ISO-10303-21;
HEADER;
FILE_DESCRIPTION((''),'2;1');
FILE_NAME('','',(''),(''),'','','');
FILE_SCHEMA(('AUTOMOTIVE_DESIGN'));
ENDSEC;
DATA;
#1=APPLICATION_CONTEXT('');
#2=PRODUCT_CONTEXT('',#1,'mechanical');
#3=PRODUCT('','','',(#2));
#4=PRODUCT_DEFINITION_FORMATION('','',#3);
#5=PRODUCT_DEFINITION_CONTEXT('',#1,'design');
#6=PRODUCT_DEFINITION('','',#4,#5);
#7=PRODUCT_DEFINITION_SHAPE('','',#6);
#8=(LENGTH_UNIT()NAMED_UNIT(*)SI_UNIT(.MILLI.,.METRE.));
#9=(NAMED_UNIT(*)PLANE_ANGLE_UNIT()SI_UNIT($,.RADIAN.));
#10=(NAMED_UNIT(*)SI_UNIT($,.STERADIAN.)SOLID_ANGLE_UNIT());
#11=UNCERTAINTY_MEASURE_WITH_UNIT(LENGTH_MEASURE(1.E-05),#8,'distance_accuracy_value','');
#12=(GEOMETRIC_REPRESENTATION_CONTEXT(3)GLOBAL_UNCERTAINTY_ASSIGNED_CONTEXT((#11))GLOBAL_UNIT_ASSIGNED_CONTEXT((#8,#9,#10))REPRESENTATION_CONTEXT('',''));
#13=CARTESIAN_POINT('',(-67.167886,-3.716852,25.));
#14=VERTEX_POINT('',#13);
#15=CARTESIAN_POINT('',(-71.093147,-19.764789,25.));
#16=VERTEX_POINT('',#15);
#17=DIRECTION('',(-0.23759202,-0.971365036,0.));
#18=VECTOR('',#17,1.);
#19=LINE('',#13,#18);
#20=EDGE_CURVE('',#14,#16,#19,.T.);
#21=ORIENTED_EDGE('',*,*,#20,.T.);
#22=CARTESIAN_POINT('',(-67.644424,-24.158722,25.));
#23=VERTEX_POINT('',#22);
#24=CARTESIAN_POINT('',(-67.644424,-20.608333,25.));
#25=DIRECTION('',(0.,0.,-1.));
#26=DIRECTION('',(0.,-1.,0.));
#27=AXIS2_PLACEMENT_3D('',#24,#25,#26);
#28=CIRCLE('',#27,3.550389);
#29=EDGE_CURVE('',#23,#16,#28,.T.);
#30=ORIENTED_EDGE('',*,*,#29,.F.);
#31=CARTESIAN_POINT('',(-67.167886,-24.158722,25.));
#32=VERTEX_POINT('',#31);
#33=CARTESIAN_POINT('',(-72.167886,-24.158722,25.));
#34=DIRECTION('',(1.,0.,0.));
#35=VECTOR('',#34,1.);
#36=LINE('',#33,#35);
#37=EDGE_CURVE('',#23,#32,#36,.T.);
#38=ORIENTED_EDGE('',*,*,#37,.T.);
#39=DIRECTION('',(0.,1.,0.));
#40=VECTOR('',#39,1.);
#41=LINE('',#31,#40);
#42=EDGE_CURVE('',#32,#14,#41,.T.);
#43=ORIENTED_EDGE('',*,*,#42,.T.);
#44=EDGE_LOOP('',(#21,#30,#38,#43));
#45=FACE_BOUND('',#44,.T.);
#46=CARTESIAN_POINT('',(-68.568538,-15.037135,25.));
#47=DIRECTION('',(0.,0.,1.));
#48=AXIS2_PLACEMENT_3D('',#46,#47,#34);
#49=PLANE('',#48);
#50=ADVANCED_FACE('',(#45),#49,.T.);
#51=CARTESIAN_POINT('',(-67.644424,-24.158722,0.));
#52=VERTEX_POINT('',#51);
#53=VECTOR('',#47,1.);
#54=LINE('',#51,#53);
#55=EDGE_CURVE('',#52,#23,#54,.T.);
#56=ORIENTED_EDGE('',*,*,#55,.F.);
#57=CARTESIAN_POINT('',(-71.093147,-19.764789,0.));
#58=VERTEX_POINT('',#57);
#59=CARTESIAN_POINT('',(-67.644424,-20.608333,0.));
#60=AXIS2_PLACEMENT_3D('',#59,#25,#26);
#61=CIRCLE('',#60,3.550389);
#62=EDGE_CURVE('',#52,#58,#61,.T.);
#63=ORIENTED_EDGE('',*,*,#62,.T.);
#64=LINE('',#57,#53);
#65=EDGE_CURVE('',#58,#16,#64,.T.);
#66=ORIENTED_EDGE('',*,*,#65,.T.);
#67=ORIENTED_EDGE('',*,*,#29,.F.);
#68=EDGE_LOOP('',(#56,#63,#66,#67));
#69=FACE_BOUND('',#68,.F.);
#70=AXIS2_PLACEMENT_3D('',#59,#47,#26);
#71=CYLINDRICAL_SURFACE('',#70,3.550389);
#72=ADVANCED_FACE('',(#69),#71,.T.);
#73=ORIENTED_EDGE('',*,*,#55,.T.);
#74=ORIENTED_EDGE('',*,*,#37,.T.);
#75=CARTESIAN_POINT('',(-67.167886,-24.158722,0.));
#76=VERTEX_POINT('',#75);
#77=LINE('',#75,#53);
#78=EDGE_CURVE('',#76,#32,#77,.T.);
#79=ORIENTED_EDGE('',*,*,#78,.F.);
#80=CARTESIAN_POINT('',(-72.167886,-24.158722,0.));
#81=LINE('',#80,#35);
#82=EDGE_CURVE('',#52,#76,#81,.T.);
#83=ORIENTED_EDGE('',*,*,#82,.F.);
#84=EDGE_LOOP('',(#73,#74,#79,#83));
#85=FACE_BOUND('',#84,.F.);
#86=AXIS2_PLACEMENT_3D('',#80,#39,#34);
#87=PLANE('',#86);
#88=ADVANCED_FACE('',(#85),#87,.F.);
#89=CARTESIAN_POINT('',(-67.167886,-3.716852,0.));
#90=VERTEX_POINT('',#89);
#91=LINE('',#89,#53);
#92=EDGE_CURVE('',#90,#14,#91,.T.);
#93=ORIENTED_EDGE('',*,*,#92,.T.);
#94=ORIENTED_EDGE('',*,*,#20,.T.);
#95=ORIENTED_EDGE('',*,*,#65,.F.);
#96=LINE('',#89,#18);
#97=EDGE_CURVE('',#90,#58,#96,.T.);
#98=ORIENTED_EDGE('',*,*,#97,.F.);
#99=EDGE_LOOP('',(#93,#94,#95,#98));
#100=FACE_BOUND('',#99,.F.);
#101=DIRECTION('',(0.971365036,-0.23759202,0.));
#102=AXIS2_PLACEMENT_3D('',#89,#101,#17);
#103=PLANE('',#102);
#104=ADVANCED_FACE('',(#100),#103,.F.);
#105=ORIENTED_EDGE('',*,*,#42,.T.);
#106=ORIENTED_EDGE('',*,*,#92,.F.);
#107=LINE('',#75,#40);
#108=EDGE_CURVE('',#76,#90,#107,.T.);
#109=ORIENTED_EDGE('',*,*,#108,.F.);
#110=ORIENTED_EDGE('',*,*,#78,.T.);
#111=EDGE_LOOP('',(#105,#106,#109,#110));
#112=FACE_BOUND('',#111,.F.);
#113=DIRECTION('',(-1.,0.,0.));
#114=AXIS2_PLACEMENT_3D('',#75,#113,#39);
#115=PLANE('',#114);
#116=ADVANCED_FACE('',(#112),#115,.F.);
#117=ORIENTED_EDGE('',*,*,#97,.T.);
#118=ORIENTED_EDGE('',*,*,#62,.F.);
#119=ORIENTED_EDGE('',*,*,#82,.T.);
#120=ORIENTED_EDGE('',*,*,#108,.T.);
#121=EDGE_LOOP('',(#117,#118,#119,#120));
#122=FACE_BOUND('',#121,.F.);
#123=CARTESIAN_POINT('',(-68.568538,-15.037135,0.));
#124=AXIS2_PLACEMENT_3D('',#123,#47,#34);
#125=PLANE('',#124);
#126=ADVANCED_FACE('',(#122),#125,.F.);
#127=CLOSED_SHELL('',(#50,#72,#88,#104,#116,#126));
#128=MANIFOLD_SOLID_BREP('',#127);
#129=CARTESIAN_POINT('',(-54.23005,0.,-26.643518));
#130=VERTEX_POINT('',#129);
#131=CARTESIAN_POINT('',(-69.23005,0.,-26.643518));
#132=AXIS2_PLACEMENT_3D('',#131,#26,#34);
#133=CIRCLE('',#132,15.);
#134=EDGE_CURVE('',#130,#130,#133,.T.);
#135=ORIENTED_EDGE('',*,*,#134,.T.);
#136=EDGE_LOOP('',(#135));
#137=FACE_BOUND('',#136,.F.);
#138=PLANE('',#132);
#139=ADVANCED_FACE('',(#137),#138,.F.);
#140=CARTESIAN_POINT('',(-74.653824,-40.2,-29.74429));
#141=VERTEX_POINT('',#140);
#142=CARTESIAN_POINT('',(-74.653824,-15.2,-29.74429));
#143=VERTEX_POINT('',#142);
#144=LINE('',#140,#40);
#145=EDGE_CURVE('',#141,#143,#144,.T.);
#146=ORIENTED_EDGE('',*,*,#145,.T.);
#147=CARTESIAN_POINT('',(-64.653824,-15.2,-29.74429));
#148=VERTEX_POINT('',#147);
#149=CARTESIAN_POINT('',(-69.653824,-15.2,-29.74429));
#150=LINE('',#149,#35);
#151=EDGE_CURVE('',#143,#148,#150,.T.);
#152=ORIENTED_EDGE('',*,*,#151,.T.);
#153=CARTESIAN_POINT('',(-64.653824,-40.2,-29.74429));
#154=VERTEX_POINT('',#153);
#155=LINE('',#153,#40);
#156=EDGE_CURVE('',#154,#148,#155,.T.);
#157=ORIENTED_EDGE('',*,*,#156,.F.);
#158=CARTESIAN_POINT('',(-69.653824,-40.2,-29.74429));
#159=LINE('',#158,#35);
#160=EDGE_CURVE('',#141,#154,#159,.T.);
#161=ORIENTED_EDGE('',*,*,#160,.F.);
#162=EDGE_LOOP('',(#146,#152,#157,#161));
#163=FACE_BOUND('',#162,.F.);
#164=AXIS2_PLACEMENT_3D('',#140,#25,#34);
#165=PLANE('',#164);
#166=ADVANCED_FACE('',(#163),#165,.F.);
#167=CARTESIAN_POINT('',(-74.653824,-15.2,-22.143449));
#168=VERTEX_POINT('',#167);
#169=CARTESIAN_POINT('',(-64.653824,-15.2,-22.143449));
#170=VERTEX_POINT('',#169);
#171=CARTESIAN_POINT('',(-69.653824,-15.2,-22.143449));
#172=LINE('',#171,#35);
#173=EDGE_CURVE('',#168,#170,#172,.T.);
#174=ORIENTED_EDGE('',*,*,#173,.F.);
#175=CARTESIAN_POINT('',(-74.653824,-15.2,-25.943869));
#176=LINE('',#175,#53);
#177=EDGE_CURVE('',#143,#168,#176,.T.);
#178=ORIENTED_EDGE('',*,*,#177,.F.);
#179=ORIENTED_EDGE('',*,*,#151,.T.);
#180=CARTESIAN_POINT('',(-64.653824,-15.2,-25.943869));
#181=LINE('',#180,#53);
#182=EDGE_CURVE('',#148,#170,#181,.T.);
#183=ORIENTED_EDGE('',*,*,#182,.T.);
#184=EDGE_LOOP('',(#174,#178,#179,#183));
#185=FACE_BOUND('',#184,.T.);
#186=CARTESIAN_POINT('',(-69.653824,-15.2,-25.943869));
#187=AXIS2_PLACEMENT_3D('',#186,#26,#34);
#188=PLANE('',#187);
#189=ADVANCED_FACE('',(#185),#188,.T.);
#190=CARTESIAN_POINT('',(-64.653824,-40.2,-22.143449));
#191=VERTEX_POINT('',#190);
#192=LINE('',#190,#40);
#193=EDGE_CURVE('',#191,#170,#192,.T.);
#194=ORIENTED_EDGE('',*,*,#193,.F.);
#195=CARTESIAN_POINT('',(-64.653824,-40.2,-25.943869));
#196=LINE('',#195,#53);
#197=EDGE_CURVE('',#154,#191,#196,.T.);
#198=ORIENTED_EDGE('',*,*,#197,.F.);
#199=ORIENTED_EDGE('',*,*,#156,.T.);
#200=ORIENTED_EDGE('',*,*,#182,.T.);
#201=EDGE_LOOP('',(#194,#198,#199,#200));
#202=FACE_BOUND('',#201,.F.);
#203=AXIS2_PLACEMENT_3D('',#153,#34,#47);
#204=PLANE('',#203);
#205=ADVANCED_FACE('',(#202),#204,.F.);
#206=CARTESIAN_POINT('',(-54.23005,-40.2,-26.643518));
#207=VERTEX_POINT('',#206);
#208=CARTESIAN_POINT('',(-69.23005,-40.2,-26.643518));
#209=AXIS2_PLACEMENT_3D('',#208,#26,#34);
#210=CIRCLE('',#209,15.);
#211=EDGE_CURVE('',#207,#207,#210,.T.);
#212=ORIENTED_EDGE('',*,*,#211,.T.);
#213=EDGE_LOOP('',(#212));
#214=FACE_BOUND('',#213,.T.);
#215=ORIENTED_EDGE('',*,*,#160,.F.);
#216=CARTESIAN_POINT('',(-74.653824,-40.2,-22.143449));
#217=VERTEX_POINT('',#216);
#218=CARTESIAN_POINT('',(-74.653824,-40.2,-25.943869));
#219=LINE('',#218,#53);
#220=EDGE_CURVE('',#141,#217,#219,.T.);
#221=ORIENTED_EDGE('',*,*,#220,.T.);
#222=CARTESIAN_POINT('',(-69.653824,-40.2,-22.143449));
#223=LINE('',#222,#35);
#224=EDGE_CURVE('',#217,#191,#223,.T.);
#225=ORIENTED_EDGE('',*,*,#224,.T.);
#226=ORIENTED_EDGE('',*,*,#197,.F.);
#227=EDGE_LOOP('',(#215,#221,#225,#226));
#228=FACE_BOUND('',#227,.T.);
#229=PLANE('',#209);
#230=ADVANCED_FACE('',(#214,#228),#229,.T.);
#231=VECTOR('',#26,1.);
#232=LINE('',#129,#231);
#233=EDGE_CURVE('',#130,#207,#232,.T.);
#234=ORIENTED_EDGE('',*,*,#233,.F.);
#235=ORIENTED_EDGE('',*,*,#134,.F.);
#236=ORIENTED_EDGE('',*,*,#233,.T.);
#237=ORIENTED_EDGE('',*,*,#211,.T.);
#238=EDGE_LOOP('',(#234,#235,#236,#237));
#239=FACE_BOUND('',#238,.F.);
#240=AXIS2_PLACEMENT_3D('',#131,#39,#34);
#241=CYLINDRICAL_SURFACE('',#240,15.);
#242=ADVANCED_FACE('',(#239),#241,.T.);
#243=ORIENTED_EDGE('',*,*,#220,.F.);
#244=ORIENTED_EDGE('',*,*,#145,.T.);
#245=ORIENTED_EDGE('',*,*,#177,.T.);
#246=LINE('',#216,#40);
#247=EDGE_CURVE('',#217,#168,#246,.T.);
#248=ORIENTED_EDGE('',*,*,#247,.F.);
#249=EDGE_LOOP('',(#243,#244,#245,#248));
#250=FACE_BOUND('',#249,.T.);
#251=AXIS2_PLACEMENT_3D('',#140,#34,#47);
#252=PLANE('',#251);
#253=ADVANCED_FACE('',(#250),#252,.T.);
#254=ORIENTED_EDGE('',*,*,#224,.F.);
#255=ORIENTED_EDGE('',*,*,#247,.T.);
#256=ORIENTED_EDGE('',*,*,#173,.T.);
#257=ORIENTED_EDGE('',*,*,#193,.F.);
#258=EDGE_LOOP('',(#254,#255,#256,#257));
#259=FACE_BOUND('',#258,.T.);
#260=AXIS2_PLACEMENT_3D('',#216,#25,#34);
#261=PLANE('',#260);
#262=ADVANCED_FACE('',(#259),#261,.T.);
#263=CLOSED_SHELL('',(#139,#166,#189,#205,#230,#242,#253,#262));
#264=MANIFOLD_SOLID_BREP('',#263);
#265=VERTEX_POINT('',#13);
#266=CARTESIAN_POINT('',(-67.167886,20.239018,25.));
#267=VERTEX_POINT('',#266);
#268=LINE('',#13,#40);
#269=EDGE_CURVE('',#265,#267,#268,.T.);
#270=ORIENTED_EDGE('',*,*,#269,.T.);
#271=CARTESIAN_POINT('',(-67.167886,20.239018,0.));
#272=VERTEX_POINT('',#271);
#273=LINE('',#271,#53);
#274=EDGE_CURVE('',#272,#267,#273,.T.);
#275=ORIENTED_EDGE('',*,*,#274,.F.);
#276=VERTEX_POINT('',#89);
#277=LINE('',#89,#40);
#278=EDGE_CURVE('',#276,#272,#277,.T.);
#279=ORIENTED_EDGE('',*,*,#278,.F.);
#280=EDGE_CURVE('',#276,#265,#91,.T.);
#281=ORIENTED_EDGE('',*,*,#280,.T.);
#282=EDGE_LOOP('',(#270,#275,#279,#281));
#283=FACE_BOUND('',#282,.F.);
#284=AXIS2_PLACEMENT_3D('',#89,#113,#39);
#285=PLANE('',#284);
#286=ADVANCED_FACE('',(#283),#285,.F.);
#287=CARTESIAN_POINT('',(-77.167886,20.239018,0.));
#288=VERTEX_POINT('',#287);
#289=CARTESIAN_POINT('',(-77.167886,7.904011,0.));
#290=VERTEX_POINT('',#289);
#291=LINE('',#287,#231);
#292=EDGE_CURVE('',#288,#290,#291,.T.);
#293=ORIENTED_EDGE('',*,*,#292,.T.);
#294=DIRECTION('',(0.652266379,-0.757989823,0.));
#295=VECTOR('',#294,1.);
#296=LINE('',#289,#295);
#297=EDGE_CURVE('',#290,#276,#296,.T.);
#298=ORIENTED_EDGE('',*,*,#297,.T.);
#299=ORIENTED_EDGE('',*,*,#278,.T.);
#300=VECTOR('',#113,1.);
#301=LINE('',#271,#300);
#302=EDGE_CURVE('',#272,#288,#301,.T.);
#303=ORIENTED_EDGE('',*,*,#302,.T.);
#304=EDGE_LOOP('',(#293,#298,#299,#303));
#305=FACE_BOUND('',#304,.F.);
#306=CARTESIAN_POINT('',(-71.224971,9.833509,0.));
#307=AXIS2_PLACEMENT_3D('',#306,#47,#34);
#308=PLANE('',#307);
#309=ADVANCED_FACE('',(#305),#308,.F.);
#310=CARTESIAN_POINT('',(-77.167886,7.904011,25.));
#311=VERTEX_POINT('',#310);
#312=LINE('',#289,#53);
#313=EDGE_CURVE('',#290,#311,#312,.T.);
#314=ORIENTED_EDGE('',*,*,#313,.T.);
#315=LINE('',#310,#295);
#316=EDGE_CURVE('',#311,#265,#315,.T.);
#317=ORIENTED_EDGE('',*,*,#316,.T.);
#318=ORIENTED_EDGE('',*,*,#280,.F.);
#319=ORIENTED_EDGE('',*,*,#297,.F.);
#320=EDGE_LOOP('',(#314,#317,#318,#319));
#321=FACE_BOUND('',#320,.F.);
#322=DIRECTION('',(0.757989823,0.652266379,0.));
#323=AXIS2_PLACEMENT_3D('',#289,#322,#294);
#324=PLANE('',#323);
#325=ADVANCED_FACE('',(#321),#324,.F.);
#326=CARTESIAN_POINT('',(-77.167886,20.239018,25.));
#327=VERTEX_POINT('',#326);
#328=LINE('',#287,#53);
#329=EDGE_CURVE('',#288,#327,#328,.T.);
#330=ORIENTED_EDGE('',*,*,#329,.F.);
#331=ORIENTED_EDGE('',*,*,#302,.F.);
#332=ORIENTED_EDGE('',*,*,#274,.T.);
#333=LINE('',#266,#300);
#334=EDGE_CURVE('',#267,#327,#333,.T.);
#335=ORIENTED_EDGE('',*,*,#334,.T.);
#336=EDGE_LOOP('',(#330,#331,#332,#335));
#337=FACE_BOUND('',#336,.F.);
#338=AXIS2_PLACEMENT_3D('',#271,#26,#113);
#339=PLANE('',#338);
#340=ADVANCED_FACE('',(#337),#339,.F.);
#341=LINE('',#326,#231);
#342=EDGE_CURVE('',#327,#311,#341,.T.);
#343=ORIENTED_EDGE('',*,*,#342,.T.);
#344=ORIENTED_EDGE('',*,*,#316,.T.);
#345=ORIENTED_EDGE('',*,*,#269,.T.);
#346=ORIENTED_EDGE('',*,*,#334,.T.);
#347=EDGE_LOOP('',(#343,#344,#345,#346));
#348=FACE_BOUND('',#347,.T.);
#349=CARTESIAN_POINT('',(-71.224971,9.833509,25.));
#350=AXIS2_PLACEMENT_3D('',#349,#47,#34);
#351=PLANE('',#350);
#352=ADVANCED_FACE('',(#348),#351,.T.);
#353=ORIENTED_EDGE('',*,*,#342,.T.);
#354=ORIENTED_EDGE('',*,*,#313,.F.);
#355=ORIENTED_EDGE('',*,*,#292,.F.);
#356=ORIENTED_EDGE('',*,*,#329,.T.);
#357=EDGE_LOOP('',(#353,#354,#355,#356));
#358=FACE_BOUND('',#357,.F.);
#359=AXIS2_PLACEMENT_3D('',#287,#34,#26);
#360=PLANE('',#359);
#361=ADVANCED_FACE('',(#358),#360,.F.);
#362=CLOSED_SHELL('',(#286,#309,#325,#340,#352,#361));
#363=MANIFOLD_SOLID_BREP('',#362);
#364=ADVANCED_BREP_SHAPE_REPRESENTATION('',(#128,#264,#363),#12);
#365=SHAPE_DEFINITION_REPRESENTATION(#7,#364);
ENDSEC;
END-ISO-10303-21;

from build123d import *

# Parameters (mm, degrees)
F1_DEPTH = 25
F2_R     = 3.550389
F3_R     = 15
F4_DEPTH = 40.2
F5_W     = 10
F5_H     = 7.600841
F6_DEPTH = 25


with BuildPart() as f1:
    # F0 (on Top) → F1 (new body)
    with BuildSketch(Plane.XY):
        Polygon((-67.167886, 20.239018), (-77.167886, 20.239018), (-77.167886, 7.904011), (-67.167886, -3.716852), align=None)
        Polygon((-67.167886, -24.158722), (-67.167886, -3.716852), (-72.167886, -24.158722), align=None)
    extrude(amount=F1_DEPTH)

    # F2
    f2_edges = [f1.edges().sort_by_distance(p)[0] for p in [
        (-72.167886, -24.158722, 12.5),
    ]]
    fillet(f2_edges, radius=F2_R)


with BuildPart() as f4:
    # F3 (on Front) → F4 (new body)
    with BuildSketch(Plane.XZ):
        with Locations((-69.23005, -26.643518)):
            Circle(F3_R)
    extrude(amount=F4_DEPTH)

    # F5 (on face) → F6 (cut)
    with BuildSketch(Plane.XZ.offset(40.2)):
        with Locations((-69.653824, -25.943869)):
            Rectangle(F5_W, F5_H)
    extrude(amount=-F6_DEPTH, mode=Mode.SUBTRACT)


solid = Compound([f1.part, f4.part])
